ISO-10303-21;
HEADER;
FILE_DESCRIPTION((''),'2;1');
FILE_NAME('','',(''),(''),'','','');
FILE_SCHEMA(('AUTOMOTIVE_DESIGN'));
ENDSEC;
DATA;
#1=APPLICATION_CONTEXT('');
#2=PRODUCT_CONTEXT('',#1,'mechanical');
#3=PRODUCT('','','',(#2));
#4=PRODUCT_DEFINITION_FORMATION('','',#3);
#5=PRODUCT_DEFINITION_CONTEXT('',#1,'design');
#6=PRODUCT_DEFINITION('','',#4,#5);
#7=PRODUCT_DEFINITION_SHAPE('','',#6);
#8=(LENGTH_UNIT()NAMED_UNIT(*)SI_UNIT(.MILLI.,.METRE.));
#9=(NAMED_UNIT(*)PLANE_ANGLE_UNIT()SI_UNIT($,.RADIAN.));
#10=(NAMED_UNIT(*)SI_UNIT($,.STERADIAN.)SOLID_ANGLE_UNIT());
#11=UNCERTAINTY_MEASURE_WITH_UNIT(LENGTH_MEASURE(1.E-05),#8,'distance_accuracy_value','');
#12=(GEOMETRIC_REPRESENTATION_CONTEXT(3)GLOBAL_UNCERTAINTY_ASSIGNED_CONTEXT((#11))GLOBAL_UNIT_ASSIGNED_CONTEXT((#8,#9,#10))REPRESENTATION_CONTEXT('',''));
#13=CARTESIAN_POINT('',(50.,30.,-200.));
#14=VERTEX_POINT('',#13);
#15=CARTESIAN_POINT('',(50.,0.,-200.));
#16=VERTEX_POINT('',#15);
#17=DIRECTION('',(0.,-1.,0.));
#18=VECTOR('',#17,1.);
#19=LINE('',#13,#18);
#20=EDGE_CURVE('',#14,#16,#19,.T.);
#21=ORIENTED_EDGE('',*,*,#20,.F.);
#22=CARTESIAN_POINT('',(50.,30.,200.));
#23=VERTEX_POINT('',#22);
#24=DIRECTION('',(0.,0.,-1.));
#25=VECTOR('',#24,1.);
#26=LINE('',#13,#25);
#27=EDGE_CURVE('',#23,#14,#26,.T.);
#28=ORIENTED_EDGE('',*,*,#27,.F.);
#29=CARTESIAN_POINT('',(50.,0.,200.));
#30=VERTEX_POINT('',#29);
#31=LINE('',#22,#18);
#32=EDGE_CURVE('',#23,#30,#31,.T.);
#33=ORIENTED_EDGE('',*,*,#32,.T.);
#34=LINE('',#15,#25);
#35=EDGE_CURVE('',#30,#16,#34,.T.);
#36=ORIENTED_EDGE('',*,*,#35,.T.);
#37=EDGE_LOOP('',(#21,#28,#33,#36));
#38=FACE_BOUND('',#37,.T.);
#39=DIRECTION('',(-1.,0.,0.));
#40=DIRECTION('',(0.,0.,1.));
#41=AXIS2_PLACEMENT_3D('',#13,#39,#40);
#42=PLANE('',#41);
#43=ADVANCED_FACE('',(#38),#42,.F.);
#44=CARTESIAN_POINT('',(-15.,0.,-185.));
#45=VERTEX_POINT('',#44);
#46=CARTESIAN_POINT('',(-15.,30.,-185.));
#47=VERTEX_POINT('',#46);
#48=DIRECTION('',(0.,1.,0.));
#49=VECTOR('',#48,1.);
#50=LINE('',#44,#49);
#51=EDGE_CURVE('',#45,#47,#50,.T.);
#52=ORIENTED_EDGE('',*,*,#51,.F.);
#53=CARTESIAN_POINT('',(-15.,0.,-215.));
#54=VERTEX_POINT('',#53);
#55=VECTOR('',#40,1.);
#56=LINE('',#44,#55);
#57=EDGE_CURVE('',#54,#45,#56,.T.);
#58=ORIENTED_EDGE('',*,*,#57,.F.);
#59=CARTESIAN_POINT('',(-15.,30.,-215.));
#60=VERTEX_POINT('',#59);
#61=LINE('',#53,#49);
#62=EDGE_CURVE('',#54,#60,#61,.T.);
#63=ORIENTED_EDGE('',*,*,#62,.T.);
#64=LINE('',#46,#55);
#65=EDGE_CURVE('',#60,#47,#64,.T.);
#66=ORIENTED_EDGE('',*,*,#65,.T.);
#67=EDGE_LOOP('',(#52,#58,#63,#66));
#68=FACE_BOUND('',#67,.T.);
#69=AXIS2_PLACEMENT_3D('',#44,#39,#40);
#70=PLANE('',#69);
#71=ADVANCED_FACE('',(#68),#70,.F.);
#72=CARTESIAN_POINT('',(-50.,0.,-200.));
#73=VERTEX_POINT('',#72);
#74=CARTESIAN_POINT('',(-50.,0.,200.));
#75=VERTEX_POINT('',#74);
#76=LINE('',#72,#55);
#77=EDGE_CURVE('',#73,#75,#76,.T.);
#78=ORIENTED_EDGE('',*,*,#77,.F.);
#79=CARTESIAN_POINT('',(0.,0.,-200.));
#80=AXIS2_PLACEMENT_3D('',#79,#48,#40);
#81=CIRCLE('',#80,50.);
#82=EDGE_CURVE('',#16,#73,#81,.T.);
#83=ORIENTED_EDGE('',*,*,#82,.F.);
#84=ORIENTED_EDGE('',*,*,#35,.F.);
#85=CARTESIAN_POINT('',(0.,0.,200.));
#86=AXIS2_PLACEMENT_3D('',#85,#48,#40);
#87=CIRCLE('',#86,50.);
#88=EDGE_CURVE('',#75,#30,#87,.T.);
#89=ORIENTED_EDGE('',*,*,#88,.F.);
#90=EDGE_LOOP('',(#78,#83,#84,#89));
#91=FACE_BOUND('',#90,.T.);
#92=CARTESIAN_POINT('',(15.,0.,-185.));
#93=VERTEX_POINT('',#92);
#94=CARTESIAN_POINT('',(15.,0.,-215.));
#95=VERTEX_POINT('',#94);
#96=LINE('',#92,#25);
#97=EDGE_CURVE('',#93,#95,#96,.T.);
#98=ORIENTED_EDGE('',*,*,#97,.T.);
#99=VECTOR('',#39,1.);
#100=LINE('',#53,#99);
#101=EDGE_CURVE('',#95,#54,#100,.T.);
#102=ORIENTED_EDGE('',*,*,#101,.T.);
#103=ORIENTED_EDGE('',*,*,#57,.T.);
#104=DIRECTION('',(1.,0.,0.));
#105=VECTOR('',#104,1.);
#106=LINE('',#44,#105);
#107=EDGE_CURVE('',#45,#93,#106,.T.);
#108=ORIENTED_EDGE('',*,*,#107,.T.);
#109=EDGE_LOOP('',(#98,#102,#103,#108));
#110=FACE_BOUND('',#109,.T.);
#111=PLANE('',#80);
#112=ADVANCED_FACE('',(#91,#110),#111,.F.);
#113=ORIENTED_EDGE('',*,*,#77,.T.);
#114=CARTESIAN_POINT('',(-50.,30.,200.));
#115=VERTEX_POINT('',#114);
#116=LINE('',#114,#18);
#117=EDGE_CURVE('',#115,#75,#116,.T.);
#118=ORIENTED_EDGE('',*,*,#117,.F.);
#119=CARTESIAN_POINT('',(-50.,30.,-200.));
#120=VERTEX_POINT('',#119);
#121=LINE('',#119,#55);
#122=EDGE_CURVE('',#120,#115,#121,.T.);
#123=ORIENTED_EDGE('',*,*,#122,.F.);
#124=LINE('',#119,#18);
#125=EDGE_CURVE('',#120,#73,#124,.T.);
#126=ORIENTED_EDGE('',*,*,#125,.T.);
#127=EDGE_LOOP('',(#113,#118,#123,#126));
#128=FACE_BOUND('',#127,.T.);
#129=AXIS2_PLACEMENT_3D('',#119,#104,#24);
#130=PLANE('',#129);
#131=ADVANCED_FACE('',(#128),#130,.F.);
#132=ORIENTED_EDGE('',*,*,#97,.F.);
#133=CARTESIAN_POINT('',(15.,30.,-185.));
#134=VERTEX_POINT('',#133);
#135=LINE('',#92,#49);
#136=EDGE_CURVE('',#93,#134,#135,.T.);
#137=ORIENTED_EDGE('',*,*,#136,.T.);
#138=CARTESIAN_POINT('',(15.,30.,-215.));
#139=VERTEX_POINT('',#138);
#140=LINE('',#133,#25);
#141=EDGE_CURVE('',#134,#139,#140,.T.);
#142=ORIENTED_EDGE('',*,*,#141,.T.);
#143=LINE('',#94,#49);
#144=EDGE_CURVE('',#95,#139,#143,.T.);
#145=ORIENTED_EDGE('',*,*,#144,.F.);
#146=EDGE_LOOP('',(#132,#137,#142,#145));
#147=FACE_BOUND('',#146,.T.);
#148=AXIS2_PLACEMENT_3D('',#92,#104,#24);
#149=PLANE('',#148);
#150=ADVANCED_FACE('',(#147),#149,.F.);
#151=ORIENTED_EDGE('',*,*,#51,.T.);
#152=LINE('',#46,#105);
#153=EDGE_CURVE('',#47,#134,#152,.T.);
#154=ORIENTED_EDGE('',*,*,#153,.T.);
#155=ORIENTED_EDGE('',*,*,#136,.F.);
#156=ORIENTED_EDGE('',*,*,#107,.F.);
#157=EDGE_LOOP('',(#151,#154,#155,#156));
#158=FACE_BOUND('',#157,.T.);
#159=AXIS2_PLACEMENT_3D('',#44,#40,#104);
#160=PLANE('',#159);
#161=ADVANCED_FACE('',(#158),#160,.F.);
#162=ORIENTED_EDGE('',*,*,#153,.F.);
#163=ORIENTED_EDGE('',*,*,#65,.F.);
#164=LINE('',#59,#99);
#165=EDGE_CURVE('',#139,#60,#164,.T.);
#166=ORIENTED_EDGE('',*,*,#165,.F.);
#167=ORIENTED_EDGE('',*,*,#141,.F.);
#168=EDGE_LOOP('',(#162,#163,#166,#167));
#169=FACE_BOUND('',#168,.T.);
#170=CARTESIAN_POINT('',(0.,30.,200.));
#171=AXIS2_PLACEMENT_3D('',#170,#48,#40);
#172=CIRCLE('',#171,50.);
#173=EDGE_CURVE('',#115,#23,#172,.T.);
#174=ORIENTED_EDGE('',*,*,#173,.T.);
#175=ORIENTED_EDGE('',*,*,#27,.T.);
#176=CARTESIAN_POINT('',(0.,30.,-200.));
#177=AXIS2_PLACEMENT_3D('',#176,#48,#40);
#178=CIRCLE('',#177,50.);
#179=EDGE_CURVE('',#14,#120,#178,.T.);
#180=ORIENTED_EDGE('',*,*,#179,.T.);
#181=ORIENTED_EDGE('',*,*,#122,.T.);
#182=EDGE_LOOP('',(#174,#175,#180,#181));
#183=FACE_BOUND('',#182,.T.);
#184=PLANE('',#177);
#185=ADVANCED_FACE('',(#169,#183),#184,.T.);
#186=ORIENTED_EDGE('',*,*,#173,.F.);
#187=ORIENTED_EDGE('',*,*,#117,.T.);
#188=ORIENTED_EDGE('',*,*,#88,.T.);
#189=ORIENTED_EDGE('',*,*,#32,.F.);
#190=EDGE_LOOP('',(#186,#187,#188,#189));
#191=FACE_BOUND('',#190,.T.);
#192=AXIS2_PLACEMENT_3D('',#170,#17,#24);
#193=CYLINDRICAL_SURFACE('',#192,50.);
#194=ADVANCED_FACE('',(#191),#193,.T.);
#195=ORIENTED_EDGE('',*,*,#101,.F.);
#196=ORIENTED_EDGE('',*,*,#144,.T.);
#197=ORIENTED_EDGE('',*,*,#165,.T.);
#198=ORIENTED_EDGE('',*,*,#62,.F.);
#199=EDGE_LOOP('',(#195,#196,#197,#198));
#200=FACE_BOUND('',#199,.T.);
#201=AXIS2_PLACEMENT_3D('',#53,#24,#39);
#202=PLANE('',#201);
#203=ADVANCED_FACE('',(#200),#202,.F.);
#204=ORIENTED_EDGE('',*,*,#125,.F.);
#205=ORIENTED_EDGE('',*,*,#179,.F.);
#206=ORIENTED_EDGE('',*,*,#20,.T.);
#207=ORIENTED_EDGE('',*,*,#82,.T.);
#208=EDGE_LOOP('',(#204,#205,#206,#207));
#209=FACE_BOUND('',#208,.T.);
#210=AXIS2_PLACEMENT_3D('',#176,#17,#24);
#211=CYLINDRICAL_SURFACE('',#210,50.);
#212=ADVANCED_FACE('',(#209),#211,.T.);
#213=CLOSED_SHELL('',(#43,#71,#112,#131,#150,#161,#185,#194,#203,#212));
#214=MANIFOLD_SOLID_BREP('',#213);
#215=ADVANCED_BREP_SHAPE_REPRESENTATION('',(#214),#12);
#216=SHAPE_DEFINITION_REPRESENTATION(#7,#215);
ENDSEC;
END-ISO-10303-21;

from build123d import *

# Parameters (mm, degrees)
EXTRUDE_1_DEPTH     = 30
SKETCH_2_W          = 30
SKETCH_2_H          = 30
CUT_EXTRUDE_1_DEPTH = 31


with BuildPart() as part:
    # 草图1 → 凸台-拉伸1 (new body)
    with BuildSketch(Plane(origin=(0, 0, 0), x_dir=(1, 0, 0), z_dir=(0, 1, 0))):
        with BuildLine():
            Line((50, 200), (50, -200))
            ThreePointArc((50, -200), (0, -250), (-50, -200))
            Line((-50, -200), (-50, 200))
            ThreePointArc((-50, 200), (0, 250), (50, 200))
        make_face()
    extrude(amount=EXTRUDE_1_DEPTH)

    # 草图2 → 切除-拉伸1 (cut, through all)
    with BuildSketch(Plane(origin=(0, 30, 0), x_dir=(1, 0, 0), z_dir=(0, 1, 0))):
        with Locations((0, 200)):
            Rectangle(SKETCH_2_W, SKETCH_2_H)
    extrude(amount=-CUT_EXTRUDE_1_DEPTH, mode=Mode.SUBTRACT)


solid = part.part
